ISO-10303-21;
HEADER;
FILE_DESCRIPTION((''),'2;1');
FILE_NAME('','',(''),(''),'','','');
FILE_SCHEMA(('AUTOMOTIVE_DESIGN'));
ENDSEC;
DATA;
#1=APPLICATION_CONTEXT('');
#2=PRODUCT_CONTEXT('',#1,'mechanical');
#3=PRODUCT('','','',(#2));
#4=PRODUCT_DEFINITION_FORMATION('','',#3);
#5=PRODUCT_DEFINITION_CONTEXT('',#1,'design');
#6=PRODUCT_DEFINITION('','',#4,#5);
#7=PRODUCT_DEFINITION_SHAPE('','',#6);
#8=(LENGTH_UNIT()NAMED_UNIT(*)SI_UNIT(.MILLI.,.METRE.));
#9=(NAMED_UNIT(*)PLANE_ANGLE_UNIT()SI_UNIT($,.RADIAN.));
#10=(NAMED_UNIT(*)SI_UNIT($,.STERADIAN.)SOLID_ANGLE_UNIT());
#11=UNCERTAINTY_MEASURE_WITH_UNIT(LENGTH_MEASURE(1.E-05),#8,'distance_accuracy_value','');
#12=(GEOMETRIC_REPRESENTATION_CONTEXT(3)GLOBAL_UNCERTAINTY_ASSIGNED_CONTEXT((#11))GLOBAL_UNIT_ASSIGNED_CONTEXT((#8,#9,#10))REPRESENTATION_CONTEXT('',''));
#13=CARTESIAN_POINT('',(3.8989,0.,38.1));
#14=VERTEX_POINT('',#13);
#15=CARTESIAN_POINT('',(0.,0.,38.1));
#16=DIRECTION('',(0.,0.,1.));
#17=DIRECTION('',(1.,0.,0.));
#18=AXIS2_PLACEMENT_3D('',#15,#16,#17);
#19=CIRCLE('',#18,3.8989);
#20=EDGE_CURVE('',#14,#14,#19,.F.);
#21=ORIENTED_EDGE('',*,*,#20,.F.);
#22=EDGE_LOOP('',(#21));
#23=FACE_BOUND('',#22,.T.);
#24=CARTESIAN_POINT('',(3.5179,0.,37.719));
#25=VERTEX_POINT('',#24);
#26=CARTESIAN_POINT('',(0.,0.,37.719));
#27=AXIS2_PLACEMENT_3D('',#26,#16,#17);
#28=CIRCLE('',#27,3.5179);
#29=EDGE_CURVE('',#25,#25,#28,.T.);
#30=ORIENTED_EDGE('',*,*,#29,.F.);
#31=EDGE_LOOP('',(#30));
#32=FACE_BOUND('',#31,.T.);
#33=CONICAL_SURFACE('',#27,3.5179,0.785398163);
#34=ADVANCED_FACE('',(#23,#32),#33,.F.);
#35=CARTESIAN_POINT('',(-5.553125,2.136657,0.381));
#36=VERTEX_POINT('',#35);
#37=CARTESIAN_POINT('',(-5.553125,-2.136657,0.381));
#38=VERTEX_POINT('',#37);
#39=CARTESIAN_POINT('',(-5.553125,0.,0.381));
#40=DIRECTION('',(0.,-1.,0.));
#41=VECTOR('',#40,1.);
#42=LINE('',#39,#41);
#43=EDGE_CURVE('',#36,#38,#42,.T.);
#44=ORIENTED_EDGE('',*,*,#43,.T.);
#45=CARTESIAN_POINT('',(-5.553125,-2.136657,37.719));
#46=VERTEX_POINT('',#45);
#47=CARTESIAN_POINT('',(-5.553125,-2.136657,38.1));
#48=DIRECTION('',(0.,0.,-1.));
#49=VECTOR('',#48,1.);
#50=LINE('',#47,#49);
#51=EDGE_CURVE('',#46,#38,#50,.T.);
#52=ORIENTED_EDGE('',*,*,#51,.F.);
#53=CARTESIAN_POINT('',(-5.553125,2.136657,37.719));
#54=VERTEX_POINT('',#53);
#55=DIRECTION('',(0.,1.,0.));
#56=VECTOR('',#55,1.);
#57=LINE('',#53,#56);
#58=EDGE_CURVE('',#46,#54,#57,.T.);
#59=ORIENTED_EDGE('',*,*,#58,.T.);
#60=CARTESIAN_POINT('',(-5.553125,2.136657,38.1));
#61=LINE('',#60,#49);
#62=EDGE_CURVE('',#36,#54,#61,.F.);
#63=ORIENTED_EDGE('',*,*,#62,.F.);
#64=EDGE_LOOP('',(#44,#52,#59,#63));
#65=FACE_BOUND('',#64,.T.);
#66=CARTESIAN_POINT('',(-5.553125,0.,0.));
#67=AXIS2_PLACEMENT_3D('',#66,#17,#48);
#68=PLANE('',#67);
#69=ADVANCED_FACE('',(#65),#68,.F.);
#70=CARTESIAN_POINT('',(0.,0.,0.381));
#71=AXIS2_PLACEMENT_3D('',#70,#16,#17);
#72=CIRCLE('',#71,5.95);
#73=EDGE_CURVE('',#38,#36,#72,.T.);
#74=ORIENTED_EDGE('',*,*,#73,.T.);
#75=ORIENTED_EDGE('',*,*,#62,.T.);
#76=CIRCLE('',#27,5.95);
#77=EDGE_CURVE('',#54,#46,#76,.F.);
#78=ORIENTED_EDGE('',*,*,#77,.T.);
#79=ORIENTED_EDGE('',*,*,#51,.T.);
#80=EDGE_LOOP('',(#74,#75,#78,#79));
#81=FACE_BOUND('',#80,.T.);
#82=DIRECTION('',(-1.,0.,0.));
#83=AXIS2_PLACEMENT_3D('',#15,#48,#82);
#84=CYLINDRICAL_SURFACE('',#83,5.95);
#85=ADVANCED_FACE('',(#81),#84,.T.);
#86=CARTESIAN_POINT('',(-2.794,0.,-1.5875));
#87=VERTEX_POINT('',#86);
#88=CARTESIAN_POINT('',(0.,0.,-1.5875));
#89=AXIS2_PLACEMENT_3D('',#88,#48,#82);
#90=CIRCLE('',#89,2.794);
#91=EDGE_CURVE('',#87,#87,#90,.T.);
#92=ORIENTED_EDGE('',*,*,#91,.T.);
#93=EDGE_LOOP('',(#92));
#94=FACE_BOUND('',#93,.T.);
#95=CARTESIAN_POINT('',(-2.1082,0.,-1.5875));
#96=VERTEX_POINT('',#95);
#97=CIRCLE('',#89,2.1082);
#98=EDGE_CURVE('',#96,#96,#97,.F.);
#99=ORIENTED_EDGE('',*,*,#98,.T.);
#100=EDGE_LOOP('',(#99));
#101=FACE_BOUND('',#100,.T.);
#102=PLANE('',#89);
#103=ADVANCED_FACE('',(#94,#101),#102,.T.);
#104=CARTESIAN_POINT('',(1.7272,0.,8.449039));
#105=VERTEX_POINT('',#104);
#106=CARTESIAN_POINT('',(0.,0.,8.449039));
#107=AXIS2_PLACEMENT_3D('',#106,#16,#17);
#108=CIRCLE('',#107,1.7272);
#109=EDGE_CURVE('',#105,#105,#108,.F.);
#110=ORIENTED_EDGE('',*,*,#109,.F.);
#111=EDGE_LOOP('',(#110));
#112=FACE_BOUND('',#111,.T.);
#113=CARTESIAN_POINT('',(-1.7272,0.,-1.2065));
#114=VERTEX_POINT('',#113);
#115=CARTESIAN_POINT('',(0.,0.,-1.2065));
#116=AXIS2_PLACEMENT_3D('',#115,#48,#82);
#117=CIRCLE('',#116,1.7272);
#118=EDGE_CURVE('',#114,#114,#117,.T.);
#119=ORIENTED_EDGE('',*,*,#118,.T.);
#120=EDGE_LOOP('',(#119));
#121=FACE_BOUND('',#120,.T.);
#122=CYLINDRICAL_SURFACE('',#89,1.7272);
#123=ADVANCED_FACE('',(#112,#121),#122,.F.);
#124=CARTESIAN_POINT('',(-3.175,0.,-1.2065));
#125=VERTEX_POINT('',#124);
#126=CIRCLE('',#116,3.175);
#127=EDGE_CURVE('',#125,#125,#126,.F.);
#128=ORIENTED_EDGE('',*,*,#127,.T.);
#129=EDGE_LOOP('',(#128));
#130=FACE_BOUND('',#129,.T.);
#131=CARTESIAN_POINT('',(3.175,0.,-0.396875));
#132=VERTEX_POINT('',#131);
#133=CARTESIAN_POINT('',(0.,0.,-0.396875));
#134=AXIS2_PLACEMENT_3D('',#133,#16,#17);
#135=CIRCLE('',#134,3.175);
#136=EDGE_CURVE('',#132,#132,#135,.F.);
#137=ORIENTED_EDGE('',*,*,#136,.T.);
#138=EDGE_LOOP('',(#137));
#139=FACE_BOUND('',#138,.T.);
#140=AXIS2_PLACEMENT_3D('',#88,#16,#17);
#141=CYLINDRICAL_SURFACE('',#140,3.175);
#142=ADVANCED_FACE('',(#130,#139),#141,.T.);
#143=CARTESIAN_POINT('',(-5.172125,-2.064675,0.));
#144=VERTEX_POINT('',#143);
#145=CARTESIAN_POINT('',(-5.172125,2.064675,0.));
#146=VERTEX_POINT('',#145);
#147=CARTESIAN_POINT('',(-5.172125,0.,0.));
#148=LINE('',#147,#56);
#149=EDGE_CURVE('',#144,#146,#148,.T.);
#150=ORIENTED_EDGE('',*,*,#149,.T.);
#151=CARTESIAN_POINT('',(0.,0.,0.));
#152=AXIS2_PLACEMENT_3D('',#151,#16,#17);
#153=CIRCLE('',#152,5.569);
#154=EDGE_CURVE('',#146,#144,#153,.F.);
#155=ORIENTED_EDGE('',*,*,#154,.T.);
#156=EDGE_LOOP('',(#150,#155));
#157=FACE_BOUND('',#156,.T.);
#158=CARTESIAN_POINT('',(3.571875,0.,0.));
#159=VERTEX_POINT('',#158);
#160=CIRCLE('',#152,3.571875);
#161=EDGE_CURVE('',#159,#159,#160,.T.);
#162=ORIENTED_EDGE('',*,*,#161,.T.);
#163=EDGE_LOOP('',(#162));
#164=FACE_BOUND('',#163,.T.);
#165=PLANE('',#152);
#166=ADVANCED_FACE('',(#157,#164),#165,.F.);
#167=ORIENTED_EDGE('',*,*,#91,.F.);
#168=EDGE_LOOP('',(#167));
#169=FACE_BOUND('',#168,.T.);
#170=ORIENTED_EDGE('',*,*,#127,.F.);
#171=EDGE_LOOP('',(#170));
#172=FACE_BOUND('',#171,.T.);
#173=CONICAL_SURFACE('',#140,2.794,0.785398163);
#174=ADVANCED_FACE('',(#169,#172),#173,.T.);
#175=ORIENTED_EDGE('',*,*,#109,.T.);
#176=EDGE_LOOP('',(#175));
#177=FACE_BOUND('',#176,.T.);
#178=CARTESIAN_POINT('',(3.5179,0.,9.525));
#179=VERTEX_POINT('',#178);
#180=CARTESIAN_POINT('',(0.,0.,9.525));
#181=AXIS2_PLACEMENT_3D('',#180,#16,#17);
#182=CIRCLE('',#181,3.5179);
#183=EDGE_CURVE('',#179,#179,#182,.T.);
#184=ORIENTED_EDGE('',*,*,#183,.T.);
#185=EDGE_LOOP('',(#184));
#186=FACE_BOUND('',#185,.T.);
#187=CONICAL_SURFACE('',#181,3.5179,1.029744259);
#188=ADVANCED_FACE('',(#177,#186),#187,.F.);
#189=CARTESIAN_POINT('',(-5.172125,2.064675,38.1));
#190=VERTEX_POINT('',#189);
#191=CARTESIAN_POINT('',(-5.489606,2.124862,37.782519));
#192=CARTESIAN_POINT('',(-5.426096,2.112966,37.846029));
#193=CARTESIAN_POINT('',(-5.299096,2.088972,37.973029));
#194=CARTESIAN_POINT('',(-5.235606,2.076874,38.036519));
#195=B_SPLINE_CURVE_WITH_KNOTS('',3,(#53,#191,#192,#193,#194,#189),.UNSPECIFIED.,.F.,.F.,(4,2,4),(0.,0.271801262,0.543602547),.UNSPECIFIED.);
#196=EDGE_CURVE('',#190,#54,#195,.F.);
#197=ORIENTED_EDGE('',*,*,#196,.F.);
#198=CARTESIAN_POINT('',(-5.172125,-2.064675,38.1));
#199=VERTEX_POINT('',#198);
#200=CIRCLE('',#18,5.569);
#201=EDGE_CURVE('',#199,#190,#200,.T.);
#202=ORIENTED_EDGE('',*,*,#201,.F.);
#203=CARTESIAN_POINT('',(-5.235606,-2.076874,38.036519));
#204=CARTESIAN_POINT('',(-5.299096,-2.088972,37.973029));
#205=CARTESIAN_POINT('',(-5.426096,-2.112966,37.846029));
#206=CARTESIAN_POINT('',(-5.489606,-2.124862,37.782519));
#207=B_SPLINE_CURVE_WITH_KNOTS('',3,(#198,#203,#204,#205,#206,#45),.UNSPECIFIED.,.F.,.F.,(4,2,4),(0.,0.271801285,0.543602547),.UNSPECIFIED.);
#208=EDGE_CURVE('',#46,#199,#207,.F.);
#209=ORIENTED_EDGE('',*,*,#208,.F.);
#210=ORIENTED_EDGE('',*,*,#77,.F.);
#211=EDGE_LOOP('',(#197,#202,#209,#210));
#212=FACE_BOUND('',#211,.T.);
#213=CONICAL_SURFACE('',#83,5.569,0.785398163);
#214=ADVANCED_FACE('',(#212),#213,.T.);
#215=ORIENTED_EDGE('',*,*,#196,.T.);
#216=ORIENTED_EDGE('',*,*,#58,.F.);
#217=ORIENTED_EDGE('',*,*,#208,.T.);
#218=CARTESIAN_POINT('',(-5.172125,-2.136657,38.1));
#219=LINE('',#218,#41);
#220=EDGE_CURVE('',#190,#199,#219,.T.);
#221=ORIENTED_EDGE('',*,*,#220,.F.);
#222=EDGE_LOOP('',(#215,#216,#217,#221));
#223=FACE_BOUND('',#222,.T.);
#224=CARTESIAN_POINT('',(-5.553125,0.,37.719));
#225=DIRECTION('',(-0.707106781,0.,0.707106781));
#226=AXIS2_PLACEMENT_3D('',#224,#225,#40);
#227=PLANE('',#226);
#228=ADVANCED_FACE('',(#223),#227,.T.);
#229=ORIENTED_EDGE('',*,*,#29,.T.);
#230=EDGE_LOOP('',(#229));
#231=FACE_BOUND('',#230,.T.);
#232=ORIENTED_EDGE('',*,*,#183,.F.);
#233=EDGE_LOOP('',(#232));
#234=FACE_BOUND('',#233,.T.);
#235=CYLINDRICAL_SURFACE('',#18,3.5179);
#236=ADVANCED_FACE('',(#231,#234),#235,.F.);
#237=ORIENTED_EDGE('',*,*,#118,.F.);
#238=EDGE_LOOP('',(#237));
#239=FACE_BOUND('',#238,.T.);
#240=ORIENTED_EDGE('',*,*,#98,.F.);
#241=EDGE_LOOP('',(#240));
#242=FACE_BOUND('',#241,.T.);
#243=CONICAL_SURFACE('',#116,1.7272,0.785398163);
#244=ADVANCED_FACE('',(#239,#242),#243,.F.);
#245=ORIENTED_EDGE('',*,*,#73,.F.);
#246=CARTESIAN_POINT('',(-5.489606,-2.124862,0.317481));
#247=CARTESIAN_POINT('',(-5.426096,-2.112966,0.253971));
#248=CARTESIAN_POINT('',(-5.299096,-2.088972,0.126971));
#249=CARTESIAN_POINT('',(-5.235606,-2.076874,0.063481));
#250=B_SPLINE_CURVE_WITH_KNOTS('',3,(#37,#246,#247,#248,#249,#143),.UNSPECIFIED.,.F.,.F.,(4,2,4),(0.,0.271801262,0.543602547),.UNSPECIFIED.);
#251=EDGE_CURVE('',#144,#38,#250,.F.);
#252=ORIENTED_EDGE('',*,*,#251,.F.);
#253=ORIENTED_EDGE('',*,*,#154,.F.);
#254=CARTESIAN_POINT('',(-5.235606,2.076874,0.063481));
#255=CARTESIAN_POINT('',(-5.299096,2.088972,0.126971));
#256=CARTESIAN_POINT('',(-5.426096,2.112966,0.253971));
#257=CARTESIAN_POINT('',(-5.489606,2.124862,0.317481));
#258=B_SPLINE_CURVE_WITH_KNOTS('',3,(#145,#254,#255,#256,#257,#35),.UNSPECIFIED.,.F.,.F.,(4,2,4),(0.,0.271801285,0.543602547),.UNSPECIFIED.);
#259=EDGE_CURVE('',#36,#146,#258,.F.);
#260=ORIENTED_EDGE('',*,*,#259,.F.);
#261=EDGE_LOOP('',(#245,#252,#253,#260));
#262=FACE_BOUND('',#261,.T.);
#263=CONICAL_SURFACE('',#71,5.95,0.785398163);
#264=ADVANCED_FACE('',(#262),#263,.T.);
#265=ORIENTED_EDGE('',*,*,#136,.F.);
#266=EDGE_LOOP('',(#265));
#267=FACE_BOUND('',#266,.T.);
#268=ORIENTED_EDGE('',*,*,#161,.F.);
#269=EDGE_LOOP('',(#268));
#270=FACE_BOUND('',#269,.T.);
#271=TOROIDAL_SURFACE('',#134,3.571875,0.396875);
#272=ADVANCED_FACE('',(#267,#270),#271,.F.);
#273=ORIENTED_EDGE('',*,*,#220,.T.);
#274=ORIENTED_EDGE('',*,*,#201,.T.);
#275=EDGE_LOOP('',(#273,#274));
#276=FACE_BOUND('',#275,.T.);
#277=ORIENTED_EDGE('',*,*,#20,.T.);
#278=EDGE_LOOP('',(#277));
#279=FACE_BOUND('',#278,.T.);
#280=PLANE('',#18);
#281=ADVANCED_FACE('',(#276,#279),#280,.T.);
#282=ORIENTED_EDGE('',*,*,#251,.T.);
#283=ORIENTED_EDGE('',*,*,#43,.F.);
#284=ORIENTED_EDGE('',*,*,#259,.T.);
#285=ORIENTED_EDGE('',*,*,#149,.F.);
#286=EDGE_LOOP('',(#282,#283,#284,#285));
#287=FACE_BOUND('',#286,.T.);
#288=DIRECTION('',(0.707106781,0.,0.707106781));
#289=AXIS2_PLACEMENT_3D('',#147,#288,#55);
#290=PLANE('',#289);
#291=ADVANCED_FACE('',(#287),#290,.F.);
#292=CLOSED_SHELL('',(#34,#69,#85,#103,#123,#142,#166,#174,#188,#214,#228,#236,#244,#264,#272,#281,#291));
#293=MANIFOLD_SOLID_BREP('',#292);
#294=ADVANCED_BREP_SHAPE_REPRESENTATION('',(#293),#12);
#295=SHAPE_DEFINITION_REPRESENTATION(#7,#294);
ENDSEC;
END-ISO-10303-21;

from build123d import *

# Parameters (mm, degrees)
SKETCH1_R                    = 5.95
BOSS_EXTRUDE1_DEPTH          = 38.1
SKETCH2_R                    = 3.175
BOSS_EXTRUDE2_DEPTH          = 1.5875
J_0_277_DIAMETER_HOLE1_D     = 7.0358
J_0_277_DIAMETER_HOLE1_DEPTH = 28.575
J_0_277_DIAMETER_HOLE1_TIP   = 2.113767572
F_8_32_TAPPED_HOLE2_D        = 3.4544
SKETCH9_W                    = 38.1
SKETCH9_H                    = 6
CUT_EXTRUDE3_DEPTH           = 1.396875
CHAMFER1_SIZE                = 0.381
FILLET1_R                    = 0.396875


with BuildPart() as part:
    # Sketch1 → Boss-Extrude1 (new body)
    with BuildSketch(Plane.XY):
        Circle(SKETCH1_R)
    extrude(amount=BOSS_EXTRUDE1_DEPTH)

    # Sketch2 → Boss-Extrude2 (add)
    with BuildSketch(Plane(origin=(0, 0, 0), x_dir=(-1, 0, 0), z_dir=(0, 0, -1))):
        Circle(SKETCH2_R)
    extrude(amount=BOSS_EXTRUDE2_DEPTH)

    # J (0.277) Diameter Hole1
    with Locations(Plane.XY.offset(38.1)):
        with Locations((0, 0)):
            Hole(J_0_277_DIAMETER_HOLE1_D / 2, depth=J_0_277_DIAMETER_HOLE1_DEPTH)
            with Locations((0, 0, -(J_0_277_DIAMETER_HOLE1_DEPTH + J_0_277_DIAMETER_HOLE1_TIP / 2))):  # 118° drill point
                Cone(0, J_0_277_DIAMETER_HOLE1_D / 2, J_0_277_DIAMETER_HOLE1_TIP, mode=Mode.SUBTRACT)

    # #8-32 Tapped Hole2 (through all)
    with Locations(Plane(origin=(0, 0, -1.5875), x_dir=(-1, 0, 0), z_dir=(0, 0, -1))):
        with Locations((0, 0)):
            Hole(F_8_32_TAPPED_HOLE2_D / 2)

    # Sketch9 → Cut-Extrude3 (cut, through all)
    with BuildSketch(Plane.ZY.offset(5.553125)):
        with Locations((19.05, 0)):
            Rectangle(SKETCH9_W, SKETCH9_H)
    extrude(amount=CUT_EXTRUDE3_DEPTH, mode=Mode.SUBTRACT)

    # Chamfer1
    chamfer1_edges = [part.edges().sort_by_distance(p)[0] for p in [
        (3.5179, 0, 38.1),
        (-1.7272, 0, -1.5875),
        (5.95, 0, 0),
        (-5.553125, 0, 0),
        (5.95, 0, 38.1),
        (-5.553125, 0, 38.1),
        (3.175, 0, -1.5875),
    ]]
    chamfer(chamfer1_edges, length=CHAMFER1_SIZE)

    # Fillet1
    fillet1_edges = [part.edges().sort_by_distance(p)[0] for p in [
        (3.175, 0, 0),
    ]]
    fillet(fillet1_edges, radius=FILLET1_R)


solid = part.part
